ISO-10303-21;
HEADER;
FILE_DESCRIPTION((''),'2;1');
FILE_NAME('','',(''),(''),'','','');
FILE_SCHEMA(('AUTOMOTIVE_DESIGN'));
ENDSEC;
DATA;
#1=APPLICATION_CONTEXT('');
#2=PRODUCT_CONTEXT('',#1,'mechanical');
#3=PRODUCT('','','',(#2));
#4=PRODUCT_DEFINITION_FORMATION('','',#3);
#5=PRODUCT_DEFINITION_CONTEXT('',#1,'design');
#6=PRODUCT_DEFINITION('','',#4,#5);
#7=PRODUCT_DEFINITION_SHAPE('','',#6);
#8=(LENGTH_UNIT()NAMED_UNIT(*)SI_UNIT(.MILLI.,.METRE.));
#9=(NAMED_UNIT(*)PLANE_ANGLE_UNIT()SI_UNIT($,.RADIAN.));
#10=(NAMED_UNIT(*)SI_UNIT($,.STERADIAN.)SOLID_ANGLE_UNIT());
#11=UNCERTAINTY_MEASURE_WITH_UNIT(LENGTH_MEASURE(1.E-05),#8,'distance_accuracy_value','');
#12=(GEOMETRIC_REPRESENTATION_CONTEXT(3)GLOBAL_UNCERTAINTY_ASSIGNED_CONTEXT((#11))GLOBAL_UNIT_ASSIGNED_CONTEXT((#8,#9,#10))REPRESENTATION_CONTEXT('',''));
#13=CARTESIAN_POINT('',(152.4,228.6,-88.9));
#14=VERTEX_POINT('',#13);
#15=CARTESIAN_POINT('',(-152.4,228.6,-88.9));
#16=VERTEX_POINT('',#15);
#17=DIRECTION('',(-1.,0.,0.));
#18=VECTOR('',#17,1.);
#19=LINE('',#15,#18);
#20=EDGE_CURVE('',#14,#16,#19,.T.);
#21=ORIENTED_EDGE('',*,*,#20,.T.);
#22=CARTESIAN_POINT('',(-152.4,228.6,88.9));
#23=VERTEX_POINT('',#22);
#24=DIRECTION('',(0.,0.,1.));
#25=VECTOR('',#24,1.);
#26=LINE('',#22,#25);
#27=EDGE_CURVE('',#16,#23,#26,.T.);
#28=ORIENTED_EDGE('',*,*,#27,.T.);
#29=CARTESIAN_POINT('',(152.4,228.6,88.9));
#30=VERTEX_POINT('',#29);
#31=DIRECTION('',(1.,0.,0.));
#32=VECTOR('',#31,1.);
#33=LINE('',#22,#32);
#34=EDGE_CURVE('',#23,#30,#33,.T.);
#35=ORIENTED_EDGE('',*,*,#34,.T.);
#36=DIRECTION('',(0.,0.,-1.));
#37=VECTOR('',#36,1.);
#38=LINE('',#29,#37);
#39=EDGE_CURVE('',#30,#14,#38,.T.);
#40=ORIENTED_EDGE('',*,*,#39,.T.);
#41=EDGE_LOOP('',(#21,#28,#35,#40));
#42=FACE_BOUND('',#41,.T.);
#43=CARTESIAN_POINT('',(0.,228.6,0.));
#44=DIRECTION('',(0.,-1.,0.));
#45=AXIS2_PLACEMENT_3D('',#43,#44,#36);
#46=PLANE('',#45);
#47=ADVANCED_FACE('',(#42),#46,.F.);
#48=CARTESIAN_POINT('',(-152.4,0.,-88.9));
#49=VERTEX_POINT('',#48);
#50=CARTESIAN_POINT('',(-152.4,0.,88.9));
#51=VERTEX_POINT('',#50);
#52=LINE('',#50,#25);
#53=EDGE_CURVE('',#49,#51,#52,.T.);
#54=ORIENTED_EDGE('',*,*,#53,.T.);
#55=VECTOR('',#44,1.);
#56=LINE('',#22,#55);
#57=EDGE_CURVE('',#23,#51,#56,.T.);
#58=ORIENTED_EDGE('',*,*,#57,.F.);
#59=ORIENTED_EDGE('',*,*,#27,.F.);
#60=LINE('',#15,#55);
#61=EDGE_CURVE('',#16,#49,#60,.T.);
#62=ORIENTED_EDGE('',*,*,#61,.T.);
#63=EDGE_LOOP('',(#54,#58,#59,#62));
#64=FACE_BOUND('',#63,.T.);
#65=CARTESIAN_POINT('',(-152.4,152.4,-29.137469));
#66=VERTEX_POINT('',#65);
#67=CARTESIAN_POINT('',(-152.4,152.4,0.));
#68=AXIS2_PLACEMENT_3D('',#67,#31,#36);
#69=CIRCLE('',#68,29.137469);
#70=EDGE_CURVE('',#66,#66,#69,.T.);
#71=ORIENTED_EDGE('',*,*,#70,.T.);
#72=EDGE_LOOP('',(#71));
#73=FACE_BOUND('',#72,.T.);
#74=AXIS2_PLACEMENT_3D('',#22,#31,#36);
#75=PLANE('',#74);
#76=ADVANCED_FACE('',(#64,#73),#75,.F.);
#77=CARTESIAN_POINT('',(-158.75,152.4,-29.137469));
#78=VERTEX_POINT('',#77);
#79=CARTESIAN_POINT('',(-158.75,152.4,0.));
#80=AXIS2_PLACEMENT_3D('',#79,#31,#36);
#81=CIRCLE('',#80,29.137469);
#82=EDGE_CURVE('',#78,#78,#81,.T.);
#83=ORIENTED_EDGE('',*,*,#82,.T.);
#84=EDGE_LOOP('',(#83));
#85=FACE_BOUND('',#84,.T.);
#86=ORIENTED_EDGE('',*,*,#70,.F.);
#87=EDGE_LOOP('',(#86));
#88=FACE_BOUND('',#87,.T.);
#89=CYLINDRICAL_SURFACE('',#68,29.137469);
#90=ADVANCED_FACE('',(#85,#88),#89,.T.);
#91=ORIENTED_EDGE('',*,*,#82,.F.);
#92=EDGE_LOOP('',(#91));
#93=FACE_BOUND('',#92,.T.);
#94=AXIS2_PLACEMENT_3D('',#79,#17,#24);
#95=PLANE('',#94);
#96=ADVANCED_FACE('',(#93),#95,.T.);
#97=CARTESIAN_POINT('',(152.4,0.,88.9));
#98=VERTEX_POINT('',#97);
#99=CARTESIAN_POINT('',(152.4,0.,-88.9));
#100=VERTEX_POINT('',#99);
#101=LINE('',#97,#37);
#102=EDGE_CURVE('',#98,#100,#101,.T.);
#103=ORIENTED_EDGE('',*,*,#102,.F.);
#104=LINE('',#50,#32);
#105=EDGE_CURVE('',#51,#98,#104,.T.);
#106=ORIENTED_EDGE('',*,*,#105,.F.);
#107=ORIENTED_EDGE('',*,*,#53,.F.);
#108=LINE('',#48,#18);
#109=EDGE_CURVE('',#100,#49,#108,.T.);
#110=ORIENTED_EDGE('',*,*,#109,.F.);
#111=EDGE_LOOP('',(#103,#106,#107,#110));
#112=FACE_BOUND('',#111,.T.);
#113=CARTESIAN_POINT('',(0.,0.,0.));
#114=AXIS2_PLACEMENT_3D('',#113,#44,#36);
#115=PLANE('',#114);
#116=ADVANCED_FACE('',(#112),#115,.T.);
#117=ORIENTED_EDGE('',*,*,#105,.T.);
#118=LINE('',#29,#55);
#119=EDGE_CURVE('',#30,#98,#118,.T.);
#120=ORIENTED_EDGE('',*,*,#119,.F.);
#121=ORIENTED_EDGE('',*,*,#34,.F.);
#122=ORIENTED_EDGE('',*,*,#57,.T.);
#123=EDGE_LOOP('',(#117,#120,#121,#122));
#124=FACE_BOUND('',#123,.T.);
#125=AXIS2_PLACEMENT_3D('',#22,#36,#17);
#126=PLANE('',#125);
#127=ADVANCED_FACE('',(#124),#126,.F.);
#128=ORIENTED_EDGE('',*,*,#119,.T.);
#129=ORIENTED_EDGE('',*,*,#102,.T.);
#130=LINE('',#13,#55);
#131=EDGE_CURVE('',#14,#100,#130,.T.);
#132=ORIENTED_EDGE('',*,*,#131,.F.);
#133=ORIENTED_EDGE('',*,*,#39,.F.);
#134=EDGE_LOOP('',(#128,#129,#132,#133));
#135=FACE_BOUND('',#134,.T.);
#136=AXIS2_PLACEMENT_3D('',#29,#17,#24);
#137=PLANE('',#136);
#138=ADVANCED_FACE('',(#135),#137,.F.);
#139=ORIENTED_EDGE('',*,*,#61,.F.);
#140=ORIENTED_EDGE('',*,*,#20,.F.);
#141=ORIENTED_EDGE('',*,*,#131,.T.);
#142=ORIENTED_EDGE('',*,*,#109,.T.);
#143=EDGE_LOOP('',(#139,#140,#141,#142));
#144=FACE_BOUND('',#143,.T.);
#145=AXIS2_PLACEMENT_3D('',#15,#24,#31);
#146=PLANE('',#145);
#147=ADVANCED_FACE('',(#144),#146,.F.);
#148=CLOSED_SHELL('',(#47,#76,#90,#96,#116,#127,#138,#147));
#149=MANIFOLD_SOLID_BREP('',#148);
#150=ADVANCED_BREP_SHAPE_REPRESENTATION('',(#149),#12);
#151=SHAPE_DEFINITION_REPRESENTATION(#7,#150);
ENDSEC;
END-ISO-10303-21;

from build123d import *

# Parameters (mm, degrees)
SKETCH1_W           = 304.8
SKETCH1_H           = 177.8
BOSS_EXTRUDE1_DEPTH = 228.6
SKETCH2_W           = 6.35
SKETCH2_H           = 29.137469297


with BuildPart() as part:
    # Sketch1 → Boss-Extrude1 (new body)
    with BuildSketch(Plane(origin=(0, 0, 0), x_dir=(1, 0, 0), z_dir=(0, 1, 0))):
        Rectangle(SKETCH1_W, SKETCH1_H)
    extrude(amount=BOSS_EXTRUDE1_DEPTH)

    # Sketch2 → Revolve1 (revolve)
    with BuildSketch(Plane(origin=(0, 152.4, 0), x_dir=(1, 0, 0), z_dir=(0, 1, 0))):
        with Locations((-155.575, 14.568734649)):
            Rectangle(SKETCH2_W, SKETCH2_H)
    revolve(axis=Axis((-152.4, 152.4, 0), (-1, 0, 0)))


solid = part.part
